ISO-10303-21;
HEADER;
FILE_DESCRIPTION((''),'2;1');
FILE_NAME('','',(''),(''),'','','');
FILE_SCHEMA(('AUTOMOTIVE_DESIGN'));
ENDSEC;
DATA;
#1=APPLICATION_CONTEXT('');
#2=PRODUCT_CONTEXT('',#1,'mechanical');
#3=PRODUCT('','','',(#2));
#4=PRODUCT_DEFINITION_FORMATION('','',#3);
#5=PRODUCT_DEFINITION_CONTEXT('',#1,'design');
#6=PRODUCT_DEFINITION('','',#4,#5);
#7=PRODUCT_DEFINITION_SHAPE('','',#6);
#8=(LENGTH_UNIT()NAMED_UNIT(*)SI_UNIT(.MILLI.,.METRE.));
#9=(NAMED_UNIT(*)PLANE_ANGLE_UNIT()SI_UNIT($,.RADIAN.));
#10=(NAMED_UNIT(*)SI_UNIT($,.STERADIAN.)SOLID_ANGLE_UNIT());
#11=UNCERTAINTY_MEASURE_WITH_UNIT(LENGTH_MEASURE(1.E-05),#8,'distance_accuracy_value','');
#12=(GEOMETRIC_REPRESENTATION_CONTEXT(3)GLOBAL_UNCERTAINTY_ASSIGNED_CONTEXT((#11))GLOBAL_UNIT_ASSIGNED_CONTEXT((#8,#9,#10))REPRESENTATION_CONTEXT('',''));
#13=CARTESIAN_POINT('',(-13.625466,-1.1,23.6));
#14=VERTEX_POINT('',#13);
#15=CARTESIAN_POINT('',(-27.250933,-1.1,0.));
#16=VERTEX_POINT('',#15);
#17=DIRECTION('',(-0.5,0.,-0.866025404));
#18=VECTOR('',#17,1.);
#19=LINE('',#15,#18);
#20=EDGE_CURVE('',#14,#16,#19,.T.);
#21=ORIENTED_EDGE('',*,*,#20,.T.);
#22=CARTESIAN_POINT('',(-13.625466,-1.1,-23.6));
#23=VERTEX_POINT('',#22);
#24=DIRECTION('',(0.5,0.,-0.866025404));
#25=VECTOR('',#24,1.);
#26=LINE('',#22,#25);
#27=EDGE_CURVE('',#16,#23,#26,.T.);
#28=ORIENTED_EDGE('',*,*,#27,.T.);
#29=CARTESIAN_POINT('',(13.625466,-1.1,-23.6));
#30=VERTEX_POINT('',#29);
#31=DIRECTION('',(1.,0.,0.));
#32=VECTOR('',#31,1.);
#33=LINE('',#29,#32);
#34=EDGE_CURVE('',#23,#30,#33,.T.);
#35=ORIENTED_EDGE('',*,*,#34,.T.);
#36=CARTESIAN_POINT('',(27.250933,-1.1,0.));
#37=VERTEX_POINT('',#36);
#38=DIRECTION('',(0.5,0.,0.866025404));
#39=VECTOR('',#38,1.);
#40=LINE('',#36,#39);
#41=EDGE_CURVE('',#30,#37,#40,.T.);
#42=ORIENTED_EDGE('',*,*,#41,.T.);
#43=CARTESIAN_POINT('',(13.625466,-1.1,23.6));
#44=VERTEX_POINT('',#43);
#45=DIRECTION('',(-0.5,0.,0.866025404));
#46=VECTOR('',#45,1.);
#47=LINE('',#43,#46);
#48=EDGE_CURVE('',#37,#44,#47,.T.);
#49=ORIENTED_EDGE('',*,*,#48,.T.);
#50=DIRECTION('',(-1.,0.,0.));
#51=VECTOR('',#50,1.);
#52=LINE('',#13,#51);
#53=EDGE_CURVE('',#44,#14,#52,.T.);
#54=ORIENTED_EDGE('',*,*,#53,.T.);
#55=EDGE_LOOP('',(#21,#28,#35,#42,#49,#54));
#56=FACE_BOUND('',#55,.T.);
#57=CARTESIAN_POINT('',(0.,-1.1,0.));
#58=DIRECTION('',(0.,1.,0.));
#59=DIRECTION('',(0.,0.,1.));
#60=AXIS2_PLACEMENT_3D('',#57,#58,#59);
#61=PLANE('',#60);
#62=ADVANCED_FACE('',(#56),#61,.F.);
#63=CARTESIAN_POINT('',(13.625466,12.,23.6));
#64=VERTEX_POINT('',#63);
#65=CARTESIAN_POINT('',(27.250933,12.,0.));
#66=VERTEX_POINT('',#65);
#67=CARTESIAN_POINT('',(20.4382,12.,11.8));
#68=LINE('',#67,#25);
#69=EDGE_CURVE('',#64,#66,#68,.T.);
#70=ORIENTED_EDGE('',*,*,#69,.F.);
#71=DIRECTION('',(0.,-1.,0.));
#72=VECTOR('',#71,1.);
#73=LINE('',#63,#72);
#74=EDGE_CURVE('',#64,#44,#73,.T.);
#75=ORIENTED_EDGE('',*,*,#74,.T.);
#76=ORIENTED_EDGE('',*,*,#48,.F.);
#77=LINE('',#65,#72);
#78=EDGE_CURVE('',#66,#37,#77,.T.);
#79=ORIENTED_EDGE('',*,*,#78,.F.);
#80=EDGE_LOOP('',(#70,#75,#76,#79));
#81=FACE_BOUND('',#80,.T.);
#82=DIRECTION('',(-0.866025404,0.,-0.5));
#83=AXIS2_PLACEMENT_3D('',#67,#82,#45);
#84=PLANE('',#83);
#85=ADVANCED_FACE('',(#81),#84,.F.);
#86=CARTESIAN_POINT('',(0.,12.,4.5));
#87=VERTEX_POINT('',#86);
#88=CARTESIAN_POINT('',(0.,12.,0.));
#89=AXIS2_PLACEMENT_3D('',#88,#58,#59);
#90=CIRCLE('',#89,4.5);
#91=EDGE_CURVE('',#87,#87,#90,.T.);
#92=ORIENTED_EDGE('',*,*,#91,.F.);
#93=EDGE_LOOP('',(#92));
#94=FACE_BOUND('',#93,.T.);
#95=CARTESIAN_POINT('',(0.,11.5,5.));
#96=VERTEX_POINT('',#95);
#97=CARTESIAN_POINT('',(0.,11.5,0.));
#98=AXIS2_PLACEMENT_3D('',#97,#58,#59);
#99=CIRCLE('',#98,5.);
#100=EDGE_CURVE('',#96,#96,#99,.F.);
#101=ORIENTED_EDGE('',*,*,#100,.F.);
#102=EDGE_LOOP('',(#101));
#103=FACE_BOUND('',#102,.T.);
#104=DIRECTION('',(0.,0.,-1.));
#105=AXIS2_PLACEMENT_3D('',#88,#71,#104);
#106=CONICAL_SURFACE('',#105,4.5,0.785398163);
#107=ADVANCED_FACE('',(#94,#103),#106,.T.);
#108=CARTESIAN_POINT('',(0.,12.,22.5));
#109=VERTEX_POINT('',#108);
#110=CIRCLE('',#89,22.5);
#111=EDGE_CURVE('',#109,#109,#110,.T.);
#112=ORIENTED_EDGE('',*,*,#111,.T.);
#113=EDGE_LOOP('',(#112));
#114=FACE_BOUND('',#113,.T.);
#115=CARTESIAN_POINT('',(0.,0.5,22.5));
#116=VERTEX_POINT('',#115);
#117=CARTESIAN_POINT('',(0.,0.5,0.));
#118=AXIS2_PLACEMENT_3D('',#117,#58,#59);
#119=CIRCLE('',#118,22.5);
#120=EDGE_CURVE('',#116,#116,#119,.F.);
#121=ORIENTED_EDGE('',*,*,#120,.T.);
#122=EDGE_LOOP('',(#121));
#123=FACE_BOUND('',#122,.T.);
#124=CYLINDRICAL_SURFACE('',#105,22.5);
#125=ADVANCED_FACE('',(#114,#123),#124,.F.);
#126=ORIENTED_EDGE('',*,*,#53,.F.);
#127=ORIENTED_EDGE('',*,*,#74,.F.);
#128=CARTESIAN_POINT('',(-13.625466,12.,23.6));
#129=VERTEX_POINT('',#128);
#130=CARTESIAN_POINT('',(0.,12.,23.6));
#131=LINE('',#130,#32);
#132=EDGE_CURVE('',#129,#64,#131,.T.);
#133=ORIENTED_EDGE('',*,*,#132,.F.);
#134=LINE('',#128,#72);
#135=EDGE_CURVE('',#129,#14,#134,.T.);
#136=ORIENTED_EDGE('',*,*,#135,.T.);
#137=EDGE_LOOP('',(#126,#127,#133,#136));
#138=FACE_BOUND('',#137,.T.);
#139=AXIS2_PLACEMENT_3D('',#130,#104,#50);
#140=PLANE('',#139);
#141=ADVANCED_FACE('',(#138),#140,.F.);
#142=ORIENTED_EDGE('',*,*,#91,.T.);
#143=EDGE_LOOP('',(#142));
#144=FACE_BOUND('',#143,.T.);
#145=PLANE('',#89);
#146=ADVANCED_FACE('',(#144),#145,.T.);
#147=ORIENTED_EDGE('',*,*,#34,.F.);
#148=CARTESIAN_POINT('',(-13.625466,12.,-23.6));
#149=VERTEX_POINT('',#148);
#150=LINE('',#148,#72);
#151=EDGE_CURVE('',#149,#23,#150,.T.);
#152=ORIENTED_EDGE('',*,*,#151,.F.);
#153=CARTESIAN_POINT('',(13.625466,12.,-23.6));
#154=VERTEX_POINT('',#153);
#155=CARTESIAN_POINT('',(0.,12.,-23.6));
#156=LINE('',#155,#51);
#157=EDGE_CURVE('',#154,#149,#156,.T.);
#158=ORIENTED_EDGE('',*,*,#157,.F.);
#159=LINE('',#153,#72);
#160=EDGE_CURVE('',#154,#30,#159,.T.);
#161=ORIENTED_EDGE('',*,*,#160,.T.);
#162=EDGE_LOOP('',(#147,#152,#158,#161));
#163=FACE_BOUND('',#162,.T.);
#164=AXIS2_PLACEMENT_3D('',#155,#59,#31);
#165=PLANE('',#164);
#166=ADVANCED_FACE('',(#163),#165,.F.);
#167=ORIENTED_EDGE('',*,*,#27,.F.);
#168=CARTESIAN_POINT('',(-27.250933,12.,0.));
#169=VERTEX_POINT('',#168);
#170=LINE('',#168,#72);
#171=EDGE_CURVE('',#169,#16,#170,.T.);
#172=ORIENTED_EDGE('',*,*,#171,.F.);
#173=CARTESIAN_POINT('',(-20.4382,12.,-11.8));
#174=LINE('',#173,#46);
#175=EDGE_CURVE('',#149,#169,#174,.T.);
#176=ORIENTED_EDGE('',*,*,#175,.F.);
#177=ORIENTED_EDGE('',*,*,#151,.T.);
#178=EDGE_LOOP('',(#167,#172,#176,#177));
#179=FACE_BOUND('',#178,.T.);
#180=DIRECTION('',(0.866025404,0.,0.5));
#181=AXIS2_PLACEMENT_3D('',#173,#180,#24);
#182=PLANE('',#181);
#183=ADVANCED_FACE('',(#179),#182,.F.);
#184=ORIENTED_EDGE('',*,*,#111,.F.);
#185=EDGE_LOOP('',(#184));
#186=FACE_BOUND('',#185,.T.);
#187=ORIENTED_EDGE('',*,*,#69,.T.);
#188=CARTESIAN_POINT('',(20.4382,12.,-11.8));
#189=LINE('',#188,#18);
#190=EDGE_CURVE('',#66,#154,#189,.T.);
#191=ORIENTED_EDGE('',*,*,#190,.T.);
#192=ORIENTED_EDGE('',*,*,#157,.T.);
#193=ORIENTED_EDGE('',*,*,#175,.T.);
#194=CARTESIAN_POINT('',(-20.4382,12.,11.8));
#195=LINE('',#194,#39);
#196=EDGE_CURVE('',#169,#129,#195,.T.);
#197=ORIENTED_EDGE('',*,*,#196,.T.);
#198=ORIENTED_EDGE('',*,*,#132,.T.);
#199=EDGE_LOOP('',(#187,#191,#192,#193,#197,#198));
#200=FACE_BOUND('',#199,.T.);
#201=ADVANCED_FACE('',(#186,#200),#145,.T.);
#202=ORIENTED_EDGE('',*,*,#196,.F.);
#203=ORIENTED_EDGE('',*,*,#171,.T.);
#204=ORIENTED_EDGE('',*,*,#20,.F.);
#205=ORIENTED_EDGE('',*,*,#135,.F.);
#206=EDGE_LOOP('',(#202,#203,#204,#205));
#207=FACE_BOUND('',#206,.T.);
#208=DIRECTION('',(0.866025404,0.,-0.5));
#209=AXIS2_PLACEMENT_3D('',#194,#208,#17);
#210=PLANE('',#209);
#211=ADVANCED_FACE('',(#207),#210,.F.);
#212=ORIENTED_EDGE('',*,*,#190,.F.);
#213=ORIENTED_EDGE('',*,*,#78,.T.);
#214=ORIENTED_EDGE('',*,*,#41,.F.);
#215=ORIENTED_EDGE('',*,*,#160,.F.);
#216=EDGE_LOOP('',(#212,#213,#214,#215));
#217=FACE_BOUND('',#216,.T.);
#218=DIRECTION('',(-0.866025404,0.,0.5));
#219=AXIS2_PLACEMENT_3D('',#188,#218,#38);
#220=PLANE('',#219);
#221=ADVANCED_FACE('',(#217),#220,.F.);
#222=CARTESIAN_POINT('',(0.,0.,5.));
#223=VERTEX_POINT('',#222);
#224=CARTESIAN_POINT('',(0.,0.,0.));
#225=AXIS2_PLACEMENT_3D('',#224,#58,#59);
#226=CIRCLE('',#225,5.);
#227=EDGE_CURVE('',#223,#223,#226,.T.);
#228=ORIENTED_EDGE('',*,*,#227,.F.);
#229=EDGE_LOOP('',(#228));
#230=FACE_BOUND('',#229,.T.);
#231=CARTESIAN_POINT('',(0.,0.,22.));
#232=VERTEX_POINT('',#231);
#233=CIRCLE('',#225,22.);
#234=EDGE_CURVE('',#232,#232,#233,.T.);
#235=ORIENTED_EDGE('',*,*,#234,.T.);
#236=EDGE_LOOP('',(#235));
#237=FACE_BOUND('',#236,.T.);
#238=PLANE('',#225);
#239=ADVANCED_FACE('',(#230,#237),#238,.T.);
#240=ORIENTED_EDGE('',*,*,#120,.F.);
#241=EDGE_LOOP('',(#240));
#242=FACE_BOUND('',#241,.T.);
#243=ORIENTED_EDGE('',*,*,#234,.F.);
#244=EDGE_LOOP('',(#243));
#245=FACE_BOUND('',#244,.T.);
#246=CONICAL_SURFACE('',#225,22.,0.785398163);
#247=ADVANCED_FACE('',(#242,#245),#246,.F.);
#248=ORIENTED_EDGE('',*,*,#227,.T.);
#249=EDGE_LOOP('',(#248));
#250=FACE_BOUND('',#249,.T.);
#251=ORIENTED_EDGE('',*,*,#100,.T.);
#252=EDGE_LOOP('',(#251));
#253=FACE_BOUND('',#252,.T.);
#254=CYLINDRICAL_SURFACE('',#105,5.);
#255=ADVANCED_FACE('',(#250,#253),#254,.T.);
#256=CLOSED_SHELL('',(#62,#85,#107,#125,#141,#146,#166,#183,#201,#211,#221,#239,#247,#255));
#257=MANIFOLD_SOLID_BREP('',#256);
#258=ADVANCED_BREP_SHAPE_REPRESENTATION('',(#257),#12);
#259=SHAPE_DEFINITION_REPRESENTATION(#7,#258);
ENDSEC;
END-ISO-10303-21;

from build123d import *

# Parameters (mm, degrees)
SKETCH1_R             = 22.5
BOSS_EXTRUDE1_DEPTH   = 12
SKETCH1_R_2           = 5
BOSS_EXTRUDE1_2_DEPTH = 12
BOSS_EXTRUDE2_DEPTH   = 1.1
CHAMFER1_SIZE         = 0.5


with BuildPart() as part:
    # Sketch1 → Boss-Extrude1 (new body)
    with BuildSketch(Plane(origin=(0, 0, 0), x_dir=(1, 0, 0), z_dir=(0, 1, 0))):
        Polygon((13.625466353, -23.6), (27.250932706, 0), (13.625466353, 23.6), (-13.625466353, 23.6), (-27.250932706, 0), (-13.625466353, -23.6), align=None)
        with Locations(Location((0, 0, 0), (0, 0, 270))):
            Circle(SKETCH1_R, mode=Mode.SUBTRACT)
    extrude(amount=BOSS_EXTRUDE1_DEPTH)



with BuildPart() as body_2:
    # Sketch1 → Boss-Extrude1 2 (new body)
    with BuildSketch(Plane(origin=(0, 0, 0), x_dir=(1, 0, 0), z_dir=(0, 1, 0))):
        with Locations(Location((0, 0, 0), (0, 0, 270))):
            Circle(SKETCH1_R_2)
    extrude(amount=BOSS_EXTRUDE1_2_DEPTH)


with BuildPart() as part_1:
    add(part.part)

    add(body_2.part)  # Boss-Extrude2 merges body 2
    # Sketch2 → Boss-Extrude2 (add)
    with BuildSketch(Plane.XZ):
        Polygon((-13.625466353, -23.6), (-27.250932706, 0), (-13.625466353, 23.6), (13.625466353, 23.6), (27.250932706, 0), (13.625466353, -23.6), align=None)
    extrude(amount=BOSS_EXTRUDE2_DEPTH)

    # Chamfer1
    chamfer1_edges = [part_1.edges().sort_by_distance(p)[0] for p in [
        (0, 0, -22.5),
        (0, 12, -5),
    ]]
    chamfer(chamfer1_edges, length=CHAMFER1_SIZE)


solid = part_1.part
